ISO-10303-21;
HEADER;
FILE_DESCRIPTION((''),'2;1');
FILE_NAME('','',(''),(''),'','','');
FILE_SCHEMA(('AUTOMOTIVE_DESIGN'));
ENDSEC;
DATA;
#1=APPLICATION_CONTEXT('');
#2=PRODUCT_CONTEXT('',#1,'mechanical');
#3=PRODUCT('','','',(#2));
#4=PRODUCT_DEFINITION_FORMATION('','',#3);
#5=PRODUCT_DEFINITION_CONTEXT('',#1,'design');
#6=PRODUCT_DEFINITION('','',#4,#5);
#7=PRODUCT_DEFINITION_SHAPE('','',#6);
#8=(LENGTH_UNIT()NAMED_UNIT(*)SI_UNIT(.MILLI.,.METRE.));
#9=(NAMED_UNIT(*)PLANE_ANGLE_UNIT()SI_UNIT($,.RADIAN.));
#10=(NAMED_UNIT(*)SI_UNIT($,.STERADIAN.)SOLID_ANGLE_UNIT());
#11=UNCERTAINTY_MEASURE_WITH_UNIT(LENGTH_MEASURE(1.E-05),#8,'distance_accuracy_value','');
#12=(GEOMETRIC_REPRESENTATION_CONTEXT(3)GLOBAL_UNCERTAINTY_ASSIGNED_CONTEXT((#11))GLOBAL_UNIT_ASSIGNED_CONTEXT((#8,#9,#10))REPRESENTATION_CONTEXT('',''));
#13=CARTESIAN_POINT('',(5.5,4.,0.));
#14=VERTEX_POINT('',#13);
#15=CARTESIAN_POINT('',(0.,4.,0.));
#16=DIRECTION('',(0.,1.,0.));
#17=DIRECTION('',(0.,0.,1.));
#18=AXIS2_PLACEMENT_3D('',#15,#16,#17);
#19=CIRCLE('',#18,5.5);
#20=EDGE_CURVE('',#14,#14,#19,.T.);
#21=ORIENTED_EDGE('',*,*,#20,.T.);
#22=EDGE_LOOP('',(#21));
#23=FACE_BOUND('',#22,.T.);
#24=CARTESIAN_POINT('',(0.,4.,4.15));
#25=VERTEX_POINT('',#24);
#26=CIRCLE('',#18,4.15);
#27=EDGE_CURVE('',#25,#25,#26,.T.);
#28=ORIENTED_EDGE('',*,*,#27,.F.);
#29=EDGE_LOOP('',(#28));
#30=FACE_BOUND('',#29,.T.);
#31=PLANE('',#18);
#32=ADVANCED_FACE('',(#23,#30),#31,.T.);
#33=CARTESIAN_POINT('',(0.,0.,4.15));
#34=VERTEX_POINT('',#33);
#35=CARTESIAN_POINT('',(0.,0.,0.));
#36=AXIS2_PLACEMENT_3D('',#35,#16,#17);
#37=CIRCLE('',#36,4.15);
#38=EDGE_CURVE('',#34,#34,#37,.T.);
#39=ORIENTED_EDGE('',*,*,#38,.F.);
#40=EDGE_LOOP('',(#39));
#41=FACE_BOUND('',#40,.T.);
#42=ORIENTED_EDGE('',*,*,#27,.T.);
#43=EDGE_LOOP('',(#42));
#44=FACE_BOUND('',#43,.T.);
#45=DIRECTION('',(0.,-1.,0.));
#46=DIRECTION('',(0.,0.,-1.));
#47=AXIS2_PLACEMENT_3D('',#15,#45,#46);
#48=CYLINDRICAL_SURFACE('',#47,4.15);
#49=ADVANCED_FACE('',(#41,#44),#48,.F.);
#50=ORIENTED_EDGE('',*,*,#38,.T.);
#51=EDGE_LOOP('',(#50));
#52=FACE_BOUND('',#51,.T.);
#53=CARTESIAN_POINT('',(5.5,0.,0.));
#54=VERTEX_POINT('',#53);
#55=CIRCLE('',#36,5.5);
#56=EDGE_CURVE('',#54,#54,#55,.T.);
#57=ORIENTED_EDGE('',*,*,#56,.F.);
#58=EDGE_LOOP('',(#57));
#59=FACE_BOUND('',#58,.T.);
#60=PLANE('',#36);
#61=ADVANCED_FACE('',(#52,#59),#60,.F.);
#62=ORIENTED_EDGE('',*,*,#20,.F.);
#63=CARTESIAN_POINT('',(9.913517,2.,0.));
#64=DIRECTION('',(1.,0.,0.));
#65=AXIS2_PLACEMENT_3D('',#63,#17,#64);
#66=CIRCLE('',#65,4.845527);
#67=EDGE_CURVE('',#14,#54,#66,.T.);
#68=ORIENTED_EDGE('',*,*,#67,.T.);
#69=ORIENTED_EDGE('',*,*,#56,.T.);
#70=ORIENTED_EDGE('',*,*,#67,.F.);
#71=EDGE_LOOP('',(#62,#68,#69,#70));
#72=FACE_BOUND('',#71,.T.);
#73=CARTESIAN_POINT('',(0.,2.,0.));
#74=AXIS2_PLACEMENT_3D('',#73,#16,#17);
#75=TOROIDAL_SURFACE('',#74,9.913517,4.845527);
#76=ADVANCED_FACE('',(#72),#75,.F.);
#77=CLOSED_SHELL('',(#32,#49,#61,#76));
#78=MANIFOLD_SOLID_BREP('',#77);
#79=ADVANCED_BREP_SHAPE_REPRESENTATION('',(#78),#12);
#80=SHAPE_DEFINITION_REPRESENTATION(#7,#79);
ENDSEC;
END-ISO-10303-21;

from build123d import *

# Parameters (mm, degrees)
SKETCH1_R           = 5.5
BOSS_EXTRUDE1_DEPTH = 4
SKETCH4_R           = 4.15
CUT_EXTRUDE3_DEPTH  = 9.746427842


with BuildPart() as part:
    # Sketch1 → Boss-Extrude1 (new body)
    with BuildSketch(Plane(origin=(0, 0, 0), x_dir=(1, 0, 0), z_dir=(0, 1, 0))):
        Circle(SKETCH1_R)
    extrude(amount=BOSS_EXTRUDE1_DEPTH)

    # Sketch4 → Cut-Extrude3 (cut, through all)
    with BuildSketch(Plane(origin=(0, 0, 0), x_dir=(1, 0, 0), z_dir=(0, 1, 0))):
        Circle(SKETCH4_R)
    extrude(amount=CUT_EXTRUDE3_DEPTH, mode=Mode.SUBTRACT)

    # Cut-Sweep1: sweep along a path in Sketch1<2>
    with BuildLine(Plane(origin=(0, 0, 0), x_dir=(1, 0, 0), z_dir=(0, 1, 0))) as cut_sweep1_path:
        CenterArc((0, 0), 5.5, 0, 360)
    # Sketch5 → Cut-Sweep1 (sweep, cut)
    with BuildSketch(Plane.XY):
        with BuildLine():
            Line((5.5, 4), (5.5, 0))
            ThreePointArc((5.5, 0), (5.067989981, 2), (5.5, 4))
        make_face()
    sweep(path=cut_sweep1_path.line, mode=Mode.SUBTRACT)


solid = part.part
